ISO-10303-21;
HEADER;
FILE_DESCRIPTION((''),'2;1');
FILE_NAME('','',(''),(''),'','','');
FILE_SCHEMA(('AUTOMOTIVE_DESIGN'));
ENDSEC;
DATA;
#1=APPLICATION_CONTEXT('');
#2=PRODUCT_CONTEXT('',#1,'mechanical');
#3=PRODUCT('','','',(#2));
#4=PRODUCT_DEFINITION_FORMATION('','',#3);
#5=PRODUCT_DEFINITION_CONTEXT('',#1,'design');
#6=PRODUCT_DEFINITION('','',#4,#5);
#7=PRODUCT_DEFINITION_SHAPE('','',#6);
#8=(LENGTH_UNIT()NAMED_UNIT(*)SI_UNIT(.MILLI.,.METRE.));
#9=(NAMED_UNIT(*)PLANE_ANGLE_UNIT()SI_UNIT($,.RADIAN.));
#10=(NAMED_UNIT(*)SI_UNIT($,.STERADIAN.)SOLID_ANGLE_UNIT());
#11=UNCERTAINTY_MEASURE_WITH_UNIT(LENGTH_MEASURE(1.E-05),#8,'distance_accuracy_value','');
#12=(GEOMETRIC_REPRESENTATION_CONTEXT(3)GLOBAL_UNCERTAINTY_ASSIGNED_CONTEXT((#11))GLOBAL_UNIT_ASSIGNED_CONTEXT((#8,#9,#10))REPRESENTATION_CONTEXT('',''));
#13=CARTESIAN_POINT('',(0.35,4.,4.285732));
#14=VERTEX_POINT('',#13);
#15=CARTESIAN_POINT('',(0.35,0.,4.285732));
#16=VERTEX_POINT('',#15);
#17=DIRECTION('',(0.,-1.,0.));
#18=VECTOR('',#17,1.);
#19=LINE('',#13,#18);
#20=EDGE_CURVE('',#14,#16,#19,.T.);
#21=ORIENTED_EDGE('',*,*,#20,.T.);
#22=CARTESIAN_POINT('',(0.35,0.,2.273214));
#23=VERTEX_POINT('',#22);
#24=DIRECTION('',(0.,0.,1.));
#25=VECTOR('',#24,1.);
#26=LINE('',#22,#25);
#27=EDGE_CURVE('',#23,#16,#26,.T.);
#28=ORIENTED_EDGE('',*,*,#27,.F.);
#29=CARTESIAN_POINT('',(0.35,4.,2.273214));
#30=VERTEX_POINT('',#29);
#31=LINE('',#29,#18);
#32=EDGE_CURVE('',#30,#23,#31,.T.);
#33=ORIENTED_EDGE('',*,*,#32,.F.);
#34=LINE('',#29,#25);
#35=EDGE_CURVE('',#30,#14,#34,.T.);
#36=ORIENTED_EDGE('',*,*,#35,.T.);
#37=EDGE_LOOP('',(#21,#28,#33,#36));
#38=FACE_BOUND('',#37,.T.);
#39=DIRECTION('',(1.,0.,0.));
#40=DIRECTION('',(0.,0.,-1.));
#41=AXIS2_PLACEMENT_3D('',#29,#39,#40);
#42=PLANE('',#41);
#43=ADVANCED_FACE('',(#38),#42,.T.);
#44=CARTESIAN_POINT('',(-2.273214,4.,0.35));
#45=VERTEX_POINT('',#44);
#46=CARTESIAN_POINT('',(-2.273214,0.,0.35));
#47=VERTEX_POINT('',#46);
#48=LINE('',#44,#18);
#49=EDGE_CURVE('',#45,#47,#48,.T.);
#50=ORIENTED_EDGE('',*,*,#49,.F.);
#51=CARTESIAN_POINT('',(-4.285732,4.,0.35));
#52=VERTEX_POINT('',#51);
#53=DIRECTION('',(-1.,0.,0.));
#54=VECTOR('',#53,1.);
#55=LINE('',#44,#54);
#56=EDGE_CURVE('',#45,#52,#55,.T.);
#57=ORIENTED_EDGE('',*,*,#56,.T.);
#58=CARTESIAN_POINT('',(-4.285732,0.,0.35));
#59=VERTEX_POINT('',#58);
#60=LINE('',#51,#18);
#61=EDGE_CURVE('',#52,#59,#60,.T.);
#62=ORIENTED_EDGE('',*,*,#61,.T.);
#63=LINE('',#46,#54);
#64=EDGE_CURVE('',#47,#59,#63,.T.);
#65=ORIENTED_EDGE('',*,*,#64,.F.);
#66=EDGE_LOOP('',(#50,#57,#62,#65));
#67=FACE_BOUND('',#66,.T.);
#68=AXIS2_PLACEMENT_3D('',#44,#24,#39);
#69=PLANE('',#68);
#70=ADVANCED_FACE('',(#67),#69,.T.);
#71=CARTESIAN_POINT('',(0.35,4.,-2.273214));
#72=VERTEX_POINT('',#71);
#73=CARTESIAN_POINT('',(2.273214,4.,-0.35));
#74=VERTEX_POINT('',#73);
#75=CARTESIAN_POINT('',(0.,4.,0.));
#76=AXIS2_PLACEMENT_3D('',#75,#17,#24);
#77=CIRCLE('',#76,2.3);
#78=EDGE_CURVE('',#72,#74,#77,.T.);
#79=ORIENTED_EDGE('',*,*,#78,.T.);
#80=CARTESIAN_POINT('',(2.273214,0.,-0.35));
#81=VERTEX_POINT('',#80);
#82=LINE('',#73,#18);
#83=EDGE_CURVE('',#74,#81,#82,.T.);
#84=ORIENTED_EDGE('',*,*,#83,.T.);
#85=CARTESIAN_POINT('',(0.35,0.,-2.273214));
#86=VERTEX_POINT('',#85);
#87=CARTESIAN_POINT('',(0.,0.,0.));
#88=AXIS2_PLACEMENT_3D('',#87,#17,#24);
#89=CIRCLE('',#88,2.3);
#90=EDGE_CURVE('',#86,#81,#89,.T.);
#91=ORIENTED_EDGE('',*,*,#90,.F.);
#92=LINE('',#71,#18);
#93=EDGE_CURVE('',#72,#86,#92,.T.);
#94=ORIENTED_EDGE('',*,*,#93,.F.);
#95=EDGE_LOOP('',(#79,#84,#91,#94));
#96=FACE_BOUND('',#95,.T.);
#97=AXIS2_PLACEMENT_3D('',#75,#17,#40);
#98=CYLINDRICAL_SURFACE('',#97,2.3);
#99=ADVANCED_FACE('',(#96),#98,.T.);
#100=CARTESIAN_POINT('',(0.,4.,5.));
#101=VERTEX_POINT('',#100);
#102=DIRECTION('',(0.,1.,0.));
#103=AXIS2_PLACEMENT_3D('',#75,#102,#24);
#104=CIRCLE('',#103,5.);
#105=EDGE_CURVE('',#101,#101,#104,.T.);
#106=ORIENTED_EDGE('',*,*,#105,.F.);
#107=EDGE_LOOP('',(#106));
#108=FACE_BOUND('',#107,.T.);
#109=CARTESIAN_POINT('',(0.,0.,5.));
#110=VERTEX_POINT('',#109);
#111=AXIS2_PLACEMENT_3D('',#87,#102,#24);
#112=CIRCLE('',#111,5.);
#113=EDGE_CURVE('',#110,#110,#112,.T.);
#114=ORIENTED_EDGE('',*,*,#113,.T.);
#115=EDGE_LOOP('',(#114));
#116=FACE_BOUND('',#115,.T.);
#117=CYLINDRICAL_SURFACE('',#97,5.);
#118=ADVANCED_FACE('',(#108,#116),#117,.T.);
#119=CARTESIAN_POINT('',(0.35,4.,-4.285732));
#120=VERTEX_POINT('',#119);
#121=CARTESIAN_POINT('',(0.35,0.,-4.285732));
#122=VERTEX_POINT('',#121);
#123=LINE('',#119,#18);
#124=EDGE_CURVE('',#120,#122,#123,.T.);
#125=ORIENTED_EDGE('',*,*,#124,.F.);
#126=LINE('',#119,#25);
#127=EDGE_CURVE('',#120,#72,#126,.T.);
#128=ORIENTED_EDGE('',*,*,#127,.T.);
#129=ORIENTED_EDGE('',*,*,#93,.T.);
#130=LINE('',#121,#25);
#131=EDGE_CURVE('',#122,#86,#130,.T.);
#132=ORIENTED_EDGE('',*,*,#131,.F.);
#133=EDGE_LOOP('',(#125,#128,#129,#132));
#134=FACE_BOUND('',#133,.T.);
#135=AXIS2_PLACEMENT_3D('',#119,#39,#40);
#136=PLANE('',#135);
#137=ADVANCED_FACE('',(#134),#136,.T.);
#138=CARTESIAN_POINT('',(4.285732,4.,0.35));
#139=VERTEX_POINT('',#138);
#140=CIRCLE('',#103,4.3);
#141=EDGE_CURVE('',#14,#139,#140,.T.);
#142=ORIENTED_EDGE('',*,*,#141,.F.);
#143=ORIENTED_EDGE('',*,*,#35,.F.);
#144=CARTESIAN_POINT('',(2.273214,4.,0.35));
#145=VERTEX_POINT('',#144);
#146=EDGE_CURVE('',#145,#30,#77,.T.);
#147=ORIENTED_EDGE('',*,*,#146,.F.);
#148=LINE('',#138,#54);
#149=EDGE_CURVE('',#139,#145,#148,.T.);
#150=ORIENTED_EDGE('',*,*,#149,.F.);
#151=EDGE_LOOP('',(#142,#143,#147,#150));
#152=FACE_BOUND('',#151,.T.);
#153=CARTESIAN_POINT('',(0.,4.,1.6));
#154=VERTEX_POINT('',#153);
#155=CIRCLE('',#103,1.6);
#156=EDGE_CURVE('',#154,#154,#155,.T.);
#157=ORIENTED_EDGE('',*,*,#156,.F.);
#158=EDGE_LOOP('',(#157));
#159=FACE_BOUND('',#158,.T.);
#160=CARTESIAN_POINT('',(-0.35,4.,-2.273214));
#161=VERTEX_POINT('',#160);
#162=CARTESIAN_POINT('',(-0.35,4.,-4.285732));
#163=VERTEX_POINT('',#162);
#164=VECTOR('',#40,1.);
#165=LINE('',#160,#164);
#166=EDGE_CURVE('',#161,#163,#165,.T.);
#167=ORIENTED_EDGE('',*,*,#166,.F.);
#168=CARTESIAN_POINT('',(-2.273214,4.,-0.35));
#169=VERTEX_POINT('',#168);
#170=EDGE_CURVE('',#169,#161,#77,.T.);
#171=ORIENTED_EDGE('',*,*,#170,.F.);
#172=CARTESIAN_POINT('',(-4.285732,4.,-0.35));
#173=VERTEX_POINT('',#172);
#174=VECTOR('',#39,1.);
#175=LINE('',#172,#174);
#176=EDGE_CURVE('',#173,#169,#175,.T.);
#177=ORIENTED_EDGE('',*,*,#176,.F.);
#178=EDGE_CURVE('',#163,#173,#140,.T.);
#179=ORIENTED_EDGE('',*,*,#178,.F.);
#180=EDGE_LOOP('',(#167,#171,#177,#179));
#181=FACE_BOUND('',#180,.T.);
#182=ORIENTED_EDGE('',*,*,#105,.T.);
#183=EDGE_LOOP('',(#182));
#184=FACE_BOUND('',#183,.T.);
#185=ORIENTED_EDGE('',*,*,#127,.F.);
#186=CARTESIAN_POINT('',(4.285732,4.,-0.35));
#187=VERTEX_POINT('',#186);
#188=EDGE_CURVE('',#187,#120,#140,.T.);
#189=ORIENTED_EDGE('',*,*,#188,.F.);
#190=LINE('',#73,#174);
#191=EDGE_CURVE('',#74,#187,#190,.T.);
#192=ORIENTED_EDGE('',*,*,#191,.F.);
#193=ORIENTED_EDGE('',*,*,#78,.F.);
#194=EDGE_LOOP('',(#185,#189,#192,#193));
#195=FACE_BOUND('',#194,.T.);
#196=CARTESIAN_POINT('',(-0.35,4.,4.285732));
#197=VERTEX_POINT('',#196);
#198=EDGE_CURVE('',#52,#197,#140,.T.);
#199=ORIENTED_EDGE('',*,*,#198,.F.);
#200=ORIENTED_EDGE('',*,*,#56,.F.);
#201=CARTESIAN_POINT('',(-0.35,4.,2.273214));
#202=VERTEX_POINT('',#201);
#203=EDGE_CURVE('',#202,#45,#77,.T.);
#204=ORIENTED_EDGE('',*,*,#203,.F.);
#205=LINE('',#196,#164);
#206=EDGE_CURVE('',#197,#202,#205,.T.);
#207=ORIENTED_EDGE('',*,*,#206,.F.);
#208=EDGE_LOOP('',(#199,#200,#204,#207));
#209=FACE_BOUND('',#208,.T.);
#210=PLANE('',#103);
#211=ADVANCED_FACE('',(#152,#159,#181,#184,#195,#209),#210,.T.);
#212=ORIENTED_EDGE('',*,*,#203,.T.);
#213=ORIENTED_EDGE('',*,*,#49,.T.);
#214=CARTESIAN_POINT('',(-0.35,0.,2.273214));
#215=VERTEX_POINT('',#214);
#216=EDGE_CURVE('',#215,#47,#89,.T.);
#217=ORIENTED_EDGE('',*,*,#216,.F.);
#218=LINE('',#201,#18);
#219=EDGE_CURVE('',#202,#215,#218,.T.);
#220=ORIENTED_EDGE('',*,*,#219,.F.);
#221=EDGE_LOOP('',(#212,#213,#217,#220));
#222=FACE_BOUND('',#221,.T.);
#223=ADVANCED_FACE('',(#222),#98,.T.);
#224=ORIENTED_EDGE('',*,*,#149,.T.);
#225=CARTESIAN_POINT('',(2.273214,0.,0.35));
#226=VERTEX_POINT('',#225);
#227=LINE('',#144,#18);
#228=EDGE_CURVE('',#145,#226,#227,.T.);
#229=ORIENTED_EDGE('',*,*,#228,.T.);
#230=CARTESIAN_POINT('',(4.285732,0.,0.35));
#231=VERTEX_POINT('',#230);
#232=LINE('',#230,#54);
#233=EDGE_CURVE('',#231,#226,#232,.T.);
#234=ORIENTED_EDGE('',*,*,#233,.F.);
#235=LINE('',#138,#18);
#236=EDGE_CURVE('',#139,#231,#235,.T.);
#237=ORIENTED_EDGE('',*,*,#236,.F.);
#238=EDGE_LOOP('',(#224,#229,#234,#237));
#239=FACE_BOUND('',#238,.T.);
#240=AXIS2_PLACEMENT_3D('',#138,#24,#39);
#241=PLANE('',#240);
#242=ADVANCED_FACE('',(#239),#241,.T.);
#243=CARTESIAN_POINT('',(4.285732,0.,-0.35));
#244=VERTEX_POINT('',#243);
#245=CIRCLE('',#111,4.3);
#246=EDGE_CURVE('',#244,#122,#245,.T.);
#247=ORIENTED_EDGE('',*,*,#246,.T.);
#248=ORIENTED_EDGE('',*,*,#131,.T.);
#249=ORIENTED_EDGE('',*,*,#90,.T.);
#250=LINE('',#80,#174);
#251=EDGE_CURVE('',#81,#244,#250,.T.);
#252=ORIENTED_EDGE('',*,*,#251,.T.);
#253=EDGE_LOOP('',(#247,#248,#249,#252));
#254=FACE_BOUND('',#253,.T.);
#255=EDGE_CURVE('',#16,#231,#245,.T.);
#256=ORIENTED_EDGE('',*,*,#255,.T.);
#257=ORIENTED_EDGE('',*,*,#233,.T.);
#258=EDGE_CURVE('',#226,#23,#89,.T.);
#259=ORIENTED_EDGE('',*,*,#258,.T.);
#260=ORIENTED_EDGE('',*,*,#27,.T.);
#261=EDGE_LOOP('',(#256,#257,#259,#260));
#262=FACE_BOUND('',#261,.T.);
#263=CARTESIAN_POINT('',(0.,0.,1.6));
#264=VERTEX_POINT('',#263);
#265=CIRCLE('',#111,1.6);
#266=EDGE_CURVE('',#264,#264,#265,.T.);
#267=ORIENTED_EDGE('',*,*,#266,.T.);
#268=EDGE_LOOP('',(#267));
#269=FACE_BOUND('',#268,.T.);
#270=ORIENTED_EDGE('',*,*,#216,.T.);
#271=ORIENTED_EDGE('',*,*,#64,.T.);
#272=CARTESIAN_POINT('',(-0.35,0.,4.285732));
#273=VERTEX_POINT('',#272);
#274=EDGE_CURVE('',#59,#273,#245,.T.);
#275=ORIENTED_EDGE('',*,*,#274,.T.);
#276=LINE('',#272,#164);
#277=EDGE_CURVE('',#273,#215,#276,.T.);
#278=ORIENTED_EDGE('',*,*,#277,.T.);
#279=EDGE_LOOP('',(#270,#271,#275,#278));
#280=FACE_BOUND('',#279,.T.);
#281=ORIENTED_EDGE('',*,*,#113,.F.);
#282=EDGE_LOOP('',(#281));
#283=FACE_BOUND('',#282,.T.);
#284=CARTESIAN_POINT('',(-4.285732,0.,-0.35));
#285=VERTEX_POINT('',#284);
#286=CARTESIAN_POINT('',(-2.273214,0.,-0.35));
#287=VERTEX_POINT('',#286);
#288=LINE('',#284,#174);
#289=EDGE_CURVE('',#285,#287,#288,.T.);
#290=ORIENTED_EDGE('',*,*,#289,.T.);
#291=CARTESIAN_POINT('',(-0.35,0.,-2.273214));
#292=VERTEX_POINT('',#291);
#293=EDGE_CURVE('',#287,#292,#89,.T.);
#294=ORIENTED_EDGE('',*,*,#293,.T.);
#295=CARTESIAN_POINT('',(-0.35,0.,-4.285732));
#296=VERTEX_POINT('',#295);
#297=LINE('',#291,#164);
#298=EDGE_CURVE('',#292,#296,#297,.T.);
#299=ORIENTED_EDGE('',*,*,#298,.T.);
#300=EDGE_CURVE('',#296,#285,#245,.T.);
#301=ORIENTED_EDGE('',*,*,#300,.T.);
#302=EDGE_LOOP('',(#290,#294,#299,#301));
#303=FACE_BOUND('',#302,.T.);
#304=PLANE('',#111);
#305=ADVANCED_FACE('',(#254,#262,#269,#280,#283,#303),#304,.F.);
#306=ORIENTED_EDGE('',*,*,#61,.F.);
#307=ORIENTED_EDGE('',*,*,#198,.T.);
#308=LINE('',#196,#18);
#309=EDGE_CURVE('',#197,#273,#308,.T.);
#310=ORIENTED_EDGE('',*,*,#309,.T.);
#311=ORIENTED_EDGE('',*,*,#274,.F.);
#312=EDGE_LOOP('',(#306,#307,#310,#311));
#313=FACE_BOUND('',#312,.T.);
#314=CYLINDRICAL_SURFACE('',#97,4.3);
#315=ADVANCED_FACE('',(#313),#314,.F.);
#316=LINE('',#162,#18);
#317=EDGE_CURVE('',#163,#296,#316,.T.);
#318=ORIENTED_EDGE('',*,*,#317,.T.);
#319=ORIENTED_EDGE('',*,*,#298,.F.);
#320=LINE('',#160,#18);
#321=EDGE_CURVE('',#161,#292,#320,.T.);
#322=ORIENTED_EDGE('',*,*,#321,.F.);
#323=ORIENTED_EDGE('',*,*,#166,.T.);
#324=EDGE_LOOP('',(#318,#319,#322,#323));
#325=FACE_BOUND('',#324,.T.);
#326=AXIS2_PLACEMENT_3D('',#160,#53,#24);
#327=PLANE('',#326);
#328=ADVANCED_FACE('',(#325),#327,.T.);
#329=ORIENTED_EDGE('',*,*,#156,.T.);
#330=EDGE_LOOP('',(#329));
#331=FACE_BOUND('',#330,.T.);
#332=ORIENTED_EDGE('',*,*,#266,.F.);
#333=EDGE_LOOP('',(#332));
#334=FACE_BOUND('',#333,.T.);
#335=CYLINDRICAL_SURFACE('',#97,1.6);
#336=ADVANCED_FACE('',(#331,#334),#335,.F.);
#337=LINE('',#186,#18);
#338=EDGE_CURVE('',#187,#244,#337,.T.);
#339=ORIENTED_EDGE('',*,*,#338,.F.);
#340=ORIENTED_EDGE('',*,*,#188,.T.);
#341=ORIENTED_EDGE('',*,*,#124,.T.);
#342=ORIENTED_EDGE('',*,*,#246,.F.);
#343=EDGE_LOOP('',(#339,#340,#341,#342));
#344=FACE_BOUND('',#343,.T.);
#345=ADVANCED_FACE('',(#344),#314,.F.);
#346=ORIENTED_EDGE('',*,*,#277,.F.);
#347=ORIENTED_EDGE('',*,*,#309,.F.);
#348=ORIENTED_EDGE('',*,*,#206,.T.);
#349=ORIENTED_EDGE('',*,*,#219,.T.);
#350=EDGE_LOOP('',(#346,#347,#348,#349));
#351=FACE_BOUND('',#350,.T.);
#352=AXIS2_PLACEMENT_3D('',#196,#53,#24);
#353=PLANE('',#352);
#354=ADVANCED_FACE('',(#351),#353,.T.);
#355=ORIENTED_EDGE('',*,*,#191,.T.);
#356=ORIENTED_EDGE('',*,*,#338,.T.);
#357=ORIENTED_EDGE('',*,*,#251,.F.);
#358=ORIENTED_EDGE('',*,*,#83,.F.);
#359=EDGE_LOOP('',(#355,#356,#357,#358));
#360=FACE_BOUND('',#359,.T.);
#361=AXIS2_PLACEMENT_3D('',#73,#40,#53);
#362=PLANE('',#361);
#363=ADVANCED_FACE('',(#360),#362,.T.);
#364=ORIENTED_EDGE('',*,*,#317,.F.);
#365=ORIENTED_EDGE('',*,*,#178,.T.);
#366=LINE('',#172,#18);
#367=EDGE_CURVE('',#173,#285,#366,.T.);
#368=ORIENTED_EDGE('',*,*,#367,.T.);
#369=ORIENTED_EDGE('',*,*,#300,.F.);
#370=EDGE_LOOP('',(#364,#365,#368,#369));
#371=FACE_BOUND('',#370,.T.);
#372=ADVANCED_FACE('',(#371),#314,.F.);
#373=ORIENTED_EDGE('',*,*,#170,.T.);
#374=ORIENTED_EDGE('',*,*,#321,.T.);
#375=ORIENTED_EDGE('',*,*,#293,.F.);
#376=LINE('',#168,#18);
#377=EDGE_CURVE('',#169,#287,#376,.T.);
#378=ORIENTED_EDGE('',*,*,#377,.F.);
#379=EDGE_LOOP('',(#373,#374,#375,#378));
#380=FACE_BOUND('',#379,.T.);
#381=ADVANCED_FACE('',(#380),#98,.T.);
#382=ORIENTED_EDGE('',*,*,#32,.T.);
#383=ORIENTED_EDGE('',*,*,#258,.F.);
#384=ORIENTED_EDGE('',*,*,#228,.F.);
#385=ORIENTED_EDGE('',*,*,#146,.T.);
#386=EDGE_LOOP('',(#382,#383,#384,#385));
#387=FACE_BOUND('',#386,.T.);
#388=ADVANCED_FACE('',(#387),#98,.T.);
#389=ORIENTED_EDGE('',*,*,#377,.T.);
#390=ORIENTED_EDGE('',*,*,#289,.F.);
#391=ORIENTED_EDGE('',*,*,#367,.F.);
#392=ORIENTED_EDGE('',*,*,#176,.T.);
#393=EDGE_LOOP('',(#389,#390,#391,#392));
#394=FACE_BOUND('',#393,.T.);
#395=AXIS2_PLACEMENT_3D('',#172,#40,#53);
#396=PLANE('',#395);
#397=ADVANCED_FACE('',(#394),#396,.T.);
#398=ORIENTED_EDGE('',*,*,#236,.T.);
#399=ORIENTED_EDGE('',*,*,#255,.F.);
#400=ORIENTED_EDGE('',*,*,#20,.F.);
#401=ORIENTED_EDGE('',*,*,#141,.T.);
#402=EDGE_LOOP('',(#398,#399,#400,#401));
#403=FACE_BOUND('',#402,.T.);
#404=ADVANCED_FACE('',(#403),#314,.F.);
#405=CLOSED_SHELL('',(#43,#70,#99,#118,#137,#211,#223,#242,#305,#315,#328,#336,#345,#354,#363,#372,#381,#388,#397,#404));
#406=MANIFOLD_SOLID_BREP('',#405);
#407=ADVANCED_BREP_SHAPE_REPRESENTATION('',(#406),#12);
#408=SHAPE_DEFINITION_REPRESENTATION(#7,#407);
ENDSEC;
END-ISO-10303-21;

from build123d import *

# Parameters (mm, degrees)
SKETCH_1_R      = 5
SKETCH_1_R_2    = 1.6
EXTRUDE_1_DEPTH = 4


with BuildPart() as part:
    # 草图1 → 凸台-拉伸1 (new body)
    with BuildSketch(Plane(origin=(0, 0, 0), x_dir=(1, 0, 0), z_dir=(0, 1, 0))):
        with Locations(Location((0, 0, 0), (0, 0, 270))):
            Circle(SKETCH_1_R)
        with Locations(Location((0, 0, 0), (0, 0, 270))):
            Circle(SKETCH_1_R_2, mode=Mode.SUBTRACT)
        with BuildLine():
            Line((2.273213584, 0.35), (4.285732143, 0.35))
            ThreePointArc((4.285732143, 0.35), (3.040559159, 3.040559159), (0.35, 4.285732143))
            Line((0.35, 4.285732143), (0.35, 2.273213584))
            ThreePointArc((0.35, 2.273213584), (1.626345597, 1.626345597), (2.273213584, 0.35))
        make_face(mode=Mode.SUBTRACT)
        with BuildLine():
            Line((4.285732143, -0.35), (2.273213584, -0.35))
            ThreePointArc((2.273213584, -0.35), (1.626345597, -1.626345597), (0.35, -2.273213584))
            Line((0.35, -2.273213584), (0.35, -4.285732143))
            ThreePointArc((0.35, -4.285732143), (3.040559159, -3.040559159), (4.285732143, -0.35))
        make_face(mode=Mode.SUBTRACT)
        with BuildLine():
            Line((-0.35, -4.285732143), (-0.35, -2.273213584))
            ThreePointArc((-0.35, -2.273213584), (-1.626345597, -1.626345597), (-2.273213584, -0.35))
            Line((-2.273213584, -0.35), (-4.285732143, -0.35))
            ThreePointArc((-4.285732143, -0.35), (-3.040559159, -3.040559159), (-0.35, -4.285732143))
        make_face(mode=Mode.SUBTRACT)
        with BuildLine():
            Line((-4.285732143, 0.35), (-2.273213584, 0.35))
            ThreePointArc((-2.273213584, 0.35), (-1.626345597, 1.626345597), (-0.35, 2.273213584))
            Line((-0.35, 2.273213584), (-0.35, 4.285732143))
            ThreePointArc((-0.35, 4.285732143), (-3.040559159, 3.040559159), (-4.285732143, 0.35))
        make_face(mode=Mode.SUBTRACT)
    extrude(amount=EXTRUDE_1_DEPTH)


solid = part.part
